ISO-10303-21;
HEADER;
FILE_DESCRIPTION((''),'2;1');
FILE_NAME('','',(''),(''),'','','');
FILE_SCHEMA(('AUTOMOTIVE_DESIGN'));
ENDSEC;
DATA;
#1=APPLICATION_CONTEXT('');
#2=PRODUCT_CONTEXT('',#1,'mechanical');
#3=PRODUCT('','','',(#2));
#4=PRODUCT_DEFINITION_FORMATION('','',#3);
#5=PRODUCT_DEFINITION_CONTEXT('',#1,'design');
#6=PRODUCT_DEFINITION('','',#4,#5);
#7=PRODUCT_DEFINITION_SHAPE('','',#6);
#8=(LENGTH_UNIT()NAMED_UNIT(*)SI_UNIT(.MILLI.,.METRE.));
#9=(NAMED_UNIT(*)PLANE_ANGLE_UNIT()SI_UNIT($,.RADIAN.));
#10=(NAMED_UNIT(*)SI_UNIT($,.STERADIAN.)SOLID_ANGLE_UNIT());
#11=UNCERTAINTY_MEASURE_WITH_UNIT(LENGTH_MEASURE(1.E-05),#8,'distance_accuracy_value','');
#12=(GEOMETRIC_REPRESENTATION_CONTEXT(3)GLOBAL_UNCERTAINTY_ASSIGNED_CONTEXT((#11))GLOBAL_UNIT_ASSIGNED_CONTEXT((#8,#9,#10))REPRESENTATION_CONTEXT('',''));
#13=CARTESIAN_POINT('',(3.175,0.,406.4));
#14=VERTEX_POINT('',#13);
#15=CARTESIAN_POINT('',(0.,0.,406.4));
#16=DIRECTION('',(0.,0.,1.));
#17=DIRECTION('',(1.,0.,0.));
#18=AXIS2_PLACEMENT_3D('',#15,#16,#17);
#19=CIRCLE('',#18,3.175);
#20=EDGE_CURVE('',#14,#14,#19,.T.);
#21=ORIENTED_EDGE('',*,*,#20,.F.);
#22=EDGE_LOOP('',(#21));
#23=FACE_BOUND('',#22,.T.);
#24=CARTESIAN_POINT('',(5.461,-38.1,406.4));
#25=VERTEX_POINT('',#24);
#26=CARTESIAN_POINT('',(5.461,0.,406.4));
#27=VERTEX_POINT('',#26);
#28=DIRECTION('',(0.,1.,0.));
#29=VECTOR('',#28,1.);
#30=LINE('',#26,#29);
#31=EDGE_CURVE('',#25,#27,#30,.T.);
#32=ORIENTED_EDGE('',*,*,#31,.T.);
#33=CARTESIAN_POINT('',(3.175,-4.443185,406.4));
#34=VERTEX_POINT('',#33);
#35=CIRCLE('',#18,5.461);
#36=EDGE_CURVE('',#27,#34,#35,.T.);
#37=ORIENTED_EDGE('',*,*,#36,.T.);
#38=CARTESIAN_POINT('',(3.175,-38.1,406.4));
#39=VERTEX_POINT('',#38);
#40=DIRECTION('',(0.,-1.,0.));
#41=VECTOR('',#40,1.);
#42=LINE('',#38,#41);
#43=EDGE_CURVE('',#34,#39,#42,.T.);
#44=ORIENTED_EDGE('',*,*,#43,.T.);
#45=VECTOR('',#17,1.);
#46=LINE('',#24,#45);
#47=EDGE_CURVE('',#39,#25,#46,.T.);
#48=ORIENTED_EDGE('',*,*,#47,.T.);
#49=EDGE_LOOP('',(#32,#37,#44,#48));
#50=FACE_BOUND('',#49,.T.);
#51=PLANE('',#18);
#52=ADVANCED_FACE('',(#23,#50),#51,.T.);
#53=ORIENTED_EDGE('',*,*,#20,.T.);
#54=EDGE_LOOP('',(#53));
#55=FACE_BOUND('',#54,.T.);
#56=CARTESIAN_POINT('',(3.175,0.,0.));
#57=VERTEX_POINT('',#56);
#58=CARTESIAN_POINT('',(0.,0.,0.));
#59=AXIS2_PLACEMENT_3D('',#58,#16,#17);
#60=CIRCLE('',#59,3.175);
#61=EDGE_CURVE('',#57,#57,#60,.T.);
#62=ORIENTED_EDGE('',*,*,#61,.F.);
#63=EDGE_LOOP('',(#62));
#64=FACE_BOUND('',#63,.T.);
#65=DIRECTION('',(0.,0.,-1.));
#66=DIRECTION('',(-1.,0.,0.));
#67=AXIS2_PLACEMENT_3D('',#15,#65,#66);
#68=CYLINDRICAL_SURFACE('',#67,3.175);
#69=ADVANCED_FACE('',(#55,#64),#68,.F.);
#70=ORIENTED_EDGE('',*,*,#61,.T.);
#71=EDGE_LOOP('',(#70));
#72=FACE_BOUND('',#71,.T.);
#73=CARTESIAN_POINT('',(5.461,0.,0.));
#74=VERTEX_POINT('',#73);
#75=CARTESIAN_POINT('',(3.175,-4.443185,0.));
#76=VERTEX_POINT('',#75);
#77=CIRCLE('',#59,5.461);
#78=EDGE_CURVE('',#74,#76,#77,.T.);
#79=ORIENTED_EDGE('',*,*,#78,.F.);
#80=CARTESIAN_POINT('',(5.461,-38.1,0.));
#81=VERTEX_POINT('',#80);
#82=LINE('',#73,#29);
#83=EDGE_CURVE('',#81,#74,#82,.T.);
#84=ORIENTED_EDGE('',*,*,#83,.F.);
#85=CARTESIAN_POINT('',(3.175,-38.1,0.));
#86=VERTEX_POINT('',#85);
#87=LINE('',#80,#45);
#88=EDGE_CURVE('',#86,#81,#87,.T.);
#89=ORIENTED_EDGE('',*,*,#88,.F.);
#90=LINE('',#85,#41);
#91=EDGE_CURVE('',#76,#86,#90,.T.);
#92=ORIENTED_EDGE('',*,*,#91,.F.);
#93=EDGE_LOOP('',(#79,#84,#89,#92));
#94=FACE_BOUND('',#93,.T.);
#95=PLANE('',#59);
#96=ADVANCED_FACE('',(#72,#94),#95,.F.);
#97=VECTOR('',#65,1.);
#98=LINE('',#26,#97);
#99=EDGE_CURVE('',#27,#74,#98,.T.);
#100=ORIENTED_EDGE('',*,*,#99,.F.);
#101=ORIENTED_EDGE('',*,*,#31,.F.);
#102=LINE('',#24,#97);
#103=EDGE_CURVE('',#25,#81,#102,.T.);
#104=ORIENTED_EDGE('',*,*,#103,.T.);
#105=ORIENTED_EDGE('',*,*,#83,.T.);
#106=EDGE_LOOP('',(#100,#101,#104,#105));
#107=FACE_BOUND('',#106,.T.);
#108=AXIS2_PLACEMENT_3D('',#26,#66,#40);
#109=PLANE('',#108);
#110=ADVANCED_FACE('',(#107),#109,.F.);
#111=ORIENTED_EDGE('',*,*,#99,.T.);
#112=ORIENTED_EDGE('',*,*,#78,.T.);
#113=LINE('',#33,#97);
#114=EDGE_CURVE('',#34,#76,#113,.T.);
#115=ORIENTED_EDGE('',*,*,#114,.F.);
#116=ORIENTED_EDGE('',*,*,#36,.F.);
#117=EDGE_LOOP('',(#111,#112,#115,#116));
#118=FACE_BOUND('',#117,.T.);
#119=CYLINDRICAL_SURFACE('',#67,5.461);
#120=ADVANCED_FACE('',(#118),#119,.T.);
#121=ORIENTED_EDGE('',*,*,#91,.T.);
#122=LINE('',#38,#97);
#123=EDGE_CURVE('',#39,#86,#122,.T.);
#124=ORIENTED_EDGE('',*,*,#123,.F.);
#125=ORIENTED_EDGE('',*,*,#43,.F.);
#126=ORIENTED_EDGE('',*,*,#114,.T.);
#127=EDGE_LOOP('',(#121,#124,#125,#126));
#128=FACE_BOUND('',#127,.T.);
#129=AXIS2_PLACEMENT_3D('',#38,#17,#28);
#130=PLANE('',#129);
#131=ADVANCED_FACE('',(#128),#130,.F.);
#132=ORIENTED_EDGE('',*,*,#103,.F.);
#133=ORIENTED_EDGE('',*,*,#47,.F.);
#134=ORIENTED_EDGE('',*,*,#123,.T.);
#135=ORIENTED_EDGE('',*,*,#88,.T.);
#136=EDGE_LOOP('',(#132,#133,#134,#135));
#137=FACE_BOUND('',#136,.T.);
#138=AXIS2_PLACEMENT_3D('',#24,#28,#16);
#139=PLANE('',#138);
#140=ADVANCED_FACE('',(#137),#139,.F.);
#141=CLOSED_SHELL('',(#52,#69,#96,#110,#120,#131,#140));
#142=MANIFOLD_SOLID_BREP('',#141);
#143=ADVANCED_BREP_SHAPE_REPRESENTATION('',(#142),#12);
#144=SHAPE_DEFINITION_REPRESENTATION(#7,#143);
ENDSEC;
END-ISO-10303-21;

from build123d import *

# Parameters (mm, degrees)
SKETCH1_R           = 3.175
BOSS_EXTRUDE1_DEPTH = 406.4


with BuildPart() as part:
    # Sketch1 → Boss-Extrude1 (new body)
    with BuildSketch(Plane.XY):
        with BuildLine():
            Line((5.461, 0), (5.461, -38.1))
            Line((5.461, -38.1), (3.175, -38.1))
            Line((3.175, -38.1), (3.175, -4.443185344))
            ThreePointArc((3.175, -4.443185344), (-4.855985791, 2.498384078), (5.461, 0))
        make_face()
        Circle(SKETCH1_R, mode=Mode.SUBTRACT)
    extrude(amount=BOSS_EXTRUDE1_DEPTH)


solid = part.part
